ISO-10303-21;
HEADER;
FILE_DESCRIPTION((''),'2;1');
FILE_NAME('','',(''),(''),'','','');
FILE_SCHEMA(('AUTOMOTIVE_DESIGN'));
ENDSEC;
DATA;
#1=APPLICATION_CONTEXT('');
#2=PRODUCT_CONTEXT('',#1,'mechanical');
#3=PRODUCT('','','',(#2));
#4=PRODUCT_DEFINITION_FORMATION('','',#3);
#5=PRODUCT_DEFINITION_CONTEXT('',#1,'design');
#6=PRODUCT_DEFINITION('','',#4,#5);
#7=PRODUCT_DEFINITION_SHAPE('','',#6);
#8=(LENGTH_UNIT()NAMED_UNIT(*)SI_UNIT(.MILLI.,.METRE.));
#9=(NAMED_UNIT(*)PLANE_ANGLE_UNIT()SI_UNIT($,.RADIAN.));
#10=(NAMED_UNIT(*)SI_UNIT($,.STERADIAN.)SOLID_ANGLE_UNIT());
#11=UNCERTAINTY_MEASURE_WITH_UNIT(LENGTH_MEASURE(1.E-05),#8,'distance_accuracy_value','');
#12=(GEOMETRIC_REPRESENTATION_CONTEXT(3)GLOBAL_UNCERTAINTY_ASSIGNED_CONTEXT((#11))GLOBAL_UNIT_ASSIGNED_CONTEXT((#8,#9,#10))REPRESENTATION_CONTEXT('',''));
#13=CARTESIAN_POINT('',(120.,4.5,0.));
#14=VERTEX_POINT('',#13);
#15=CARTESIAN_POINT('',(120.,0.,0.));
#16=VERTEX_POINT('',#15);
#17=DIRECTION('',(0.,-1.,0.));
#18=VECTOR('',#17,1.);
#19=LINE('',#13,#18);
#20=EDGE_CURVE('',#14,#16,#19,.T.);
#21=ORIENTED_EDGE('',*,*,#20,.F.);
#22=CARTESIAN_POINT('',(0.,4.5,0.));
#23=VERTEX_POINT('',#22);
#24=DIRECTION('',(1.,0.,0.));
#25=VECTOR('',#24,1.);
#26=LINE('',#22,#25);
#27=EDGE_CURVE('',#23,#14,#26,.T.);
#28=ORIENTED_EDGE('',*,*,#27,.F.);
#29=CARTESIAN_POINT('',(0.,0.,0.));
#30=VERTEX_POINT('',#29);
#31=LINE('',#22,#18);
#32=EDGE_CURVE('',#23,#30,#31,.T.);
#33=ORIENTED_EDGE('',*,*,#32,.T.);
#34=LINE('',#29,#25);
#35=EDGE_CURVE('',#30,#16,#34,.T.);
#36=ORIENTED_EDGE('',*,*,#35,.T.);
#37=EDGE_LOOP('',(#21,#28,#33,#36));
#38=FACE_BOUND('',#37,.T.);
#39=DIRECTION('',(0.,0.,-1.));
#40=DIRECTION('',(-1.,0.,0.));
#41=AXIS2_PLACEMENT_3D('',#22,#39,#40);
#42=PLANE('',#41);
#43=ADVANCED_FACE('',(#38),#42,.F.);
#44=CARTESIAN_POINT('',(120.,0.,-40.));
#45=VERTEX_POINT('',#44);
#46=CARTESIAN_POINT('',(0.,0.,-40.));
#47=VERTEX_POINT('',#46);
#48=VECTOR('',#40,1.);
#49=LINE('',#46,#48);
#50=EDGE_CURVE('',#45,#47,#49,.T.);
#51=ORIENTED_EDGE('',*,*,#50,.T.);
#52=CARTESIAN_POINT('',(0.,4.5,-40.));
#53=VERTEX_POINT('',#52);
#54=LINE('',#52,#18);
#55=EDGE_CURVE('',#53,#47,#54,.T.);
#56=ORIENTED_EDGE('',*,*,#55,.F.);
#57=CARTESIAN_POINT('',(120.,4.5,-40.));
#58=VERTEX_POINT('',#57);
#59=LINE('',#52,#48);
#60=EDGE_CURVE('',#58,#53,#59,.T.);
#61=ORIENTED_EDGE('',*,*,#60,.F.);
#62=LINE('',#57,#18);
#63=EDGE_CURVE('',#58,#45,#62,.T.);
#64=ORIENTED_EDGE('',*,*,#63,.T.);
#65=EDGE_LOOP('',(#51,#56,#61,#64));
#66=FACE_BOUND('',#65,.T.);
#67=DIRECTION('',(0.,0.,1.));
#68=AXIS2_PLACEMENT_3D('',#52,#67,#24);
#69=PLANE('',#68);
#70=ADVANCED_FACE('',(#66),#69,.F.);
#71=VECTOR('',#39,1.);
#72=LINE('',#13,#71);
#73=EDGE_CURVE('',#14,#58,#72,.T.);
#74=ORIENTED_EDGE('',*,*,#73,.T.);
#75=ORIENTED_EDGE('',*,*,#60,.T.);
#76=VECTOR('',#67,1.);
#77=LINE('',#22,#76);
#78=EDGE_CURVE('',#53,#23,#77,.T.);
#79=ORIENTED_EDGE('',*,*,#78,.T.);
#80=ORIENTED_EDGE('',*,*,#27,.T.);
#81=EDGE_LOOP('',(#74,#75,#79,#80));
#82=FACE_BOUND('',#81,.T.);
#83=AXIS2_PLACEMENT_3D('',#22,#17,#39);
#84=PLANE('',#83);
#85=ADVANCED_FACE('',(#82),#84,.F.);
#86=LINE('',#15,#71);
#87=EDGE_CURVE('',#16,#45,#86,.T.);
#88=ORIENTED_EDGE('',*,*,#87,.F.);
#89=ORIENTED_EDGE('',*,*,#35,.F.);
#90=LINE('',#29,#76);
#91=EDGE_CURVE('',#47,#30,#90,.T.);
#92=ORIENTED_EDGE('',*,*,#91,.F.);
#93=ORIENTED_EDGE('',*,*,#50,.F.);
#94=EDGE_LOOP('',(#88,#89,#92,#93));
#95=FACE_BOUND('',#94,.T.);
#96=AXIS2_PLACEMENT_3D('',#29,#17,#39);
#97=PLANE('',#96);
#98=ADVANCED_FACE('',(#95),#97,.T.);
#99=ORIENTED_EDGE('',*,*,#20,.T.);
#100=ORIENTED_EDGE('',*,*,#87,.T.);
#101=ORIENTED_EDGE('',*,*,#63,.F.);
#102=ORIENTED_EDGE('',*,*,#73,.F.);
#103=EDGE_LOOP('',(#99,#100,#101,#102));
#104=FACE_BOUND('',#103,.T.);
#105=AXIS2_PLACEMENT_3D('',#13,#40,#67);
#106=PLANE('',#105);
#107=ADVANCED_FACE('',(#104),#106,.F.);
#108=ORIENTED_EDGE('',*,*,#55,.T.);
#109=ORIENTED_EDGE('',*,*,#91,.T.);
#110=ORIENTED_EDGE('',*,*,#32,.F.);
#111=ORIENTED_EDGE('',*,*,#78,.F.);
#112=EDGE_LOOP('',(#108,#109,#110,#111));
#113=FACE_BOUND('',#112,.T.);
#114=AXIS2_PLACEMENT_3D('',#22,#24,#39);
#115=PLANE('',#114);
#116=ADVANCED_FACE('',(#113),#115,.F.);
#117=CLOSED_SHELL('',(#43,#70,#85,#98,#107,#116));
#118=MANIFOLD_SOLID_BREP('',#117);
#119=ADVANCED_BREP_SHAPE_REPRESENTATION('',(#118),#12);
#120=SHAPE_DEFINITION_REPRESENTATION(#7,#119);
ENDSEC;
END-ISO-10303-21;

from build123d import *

# Parameters (mm, degrees)
SKETCH_1_W      = 120
SKETCH_1_H      = 40
EXTRUDE_1_DEPTH = 4.5


with BuildPart() as part:
    # 草图1 → 凸台-拉伸1 (new body)
    with BuildSketch(Plane(origin=(0, 0, 0), x_dir=(1, 0, 0), z_dir=(0, 1, 0))):
        with Locations((60, 20)):
            Rectangle(SKETCH_1_W, SKETCH_1_H)
    extrude(amount=EXTRUDE_1_DEPTH)


solid = part.part
